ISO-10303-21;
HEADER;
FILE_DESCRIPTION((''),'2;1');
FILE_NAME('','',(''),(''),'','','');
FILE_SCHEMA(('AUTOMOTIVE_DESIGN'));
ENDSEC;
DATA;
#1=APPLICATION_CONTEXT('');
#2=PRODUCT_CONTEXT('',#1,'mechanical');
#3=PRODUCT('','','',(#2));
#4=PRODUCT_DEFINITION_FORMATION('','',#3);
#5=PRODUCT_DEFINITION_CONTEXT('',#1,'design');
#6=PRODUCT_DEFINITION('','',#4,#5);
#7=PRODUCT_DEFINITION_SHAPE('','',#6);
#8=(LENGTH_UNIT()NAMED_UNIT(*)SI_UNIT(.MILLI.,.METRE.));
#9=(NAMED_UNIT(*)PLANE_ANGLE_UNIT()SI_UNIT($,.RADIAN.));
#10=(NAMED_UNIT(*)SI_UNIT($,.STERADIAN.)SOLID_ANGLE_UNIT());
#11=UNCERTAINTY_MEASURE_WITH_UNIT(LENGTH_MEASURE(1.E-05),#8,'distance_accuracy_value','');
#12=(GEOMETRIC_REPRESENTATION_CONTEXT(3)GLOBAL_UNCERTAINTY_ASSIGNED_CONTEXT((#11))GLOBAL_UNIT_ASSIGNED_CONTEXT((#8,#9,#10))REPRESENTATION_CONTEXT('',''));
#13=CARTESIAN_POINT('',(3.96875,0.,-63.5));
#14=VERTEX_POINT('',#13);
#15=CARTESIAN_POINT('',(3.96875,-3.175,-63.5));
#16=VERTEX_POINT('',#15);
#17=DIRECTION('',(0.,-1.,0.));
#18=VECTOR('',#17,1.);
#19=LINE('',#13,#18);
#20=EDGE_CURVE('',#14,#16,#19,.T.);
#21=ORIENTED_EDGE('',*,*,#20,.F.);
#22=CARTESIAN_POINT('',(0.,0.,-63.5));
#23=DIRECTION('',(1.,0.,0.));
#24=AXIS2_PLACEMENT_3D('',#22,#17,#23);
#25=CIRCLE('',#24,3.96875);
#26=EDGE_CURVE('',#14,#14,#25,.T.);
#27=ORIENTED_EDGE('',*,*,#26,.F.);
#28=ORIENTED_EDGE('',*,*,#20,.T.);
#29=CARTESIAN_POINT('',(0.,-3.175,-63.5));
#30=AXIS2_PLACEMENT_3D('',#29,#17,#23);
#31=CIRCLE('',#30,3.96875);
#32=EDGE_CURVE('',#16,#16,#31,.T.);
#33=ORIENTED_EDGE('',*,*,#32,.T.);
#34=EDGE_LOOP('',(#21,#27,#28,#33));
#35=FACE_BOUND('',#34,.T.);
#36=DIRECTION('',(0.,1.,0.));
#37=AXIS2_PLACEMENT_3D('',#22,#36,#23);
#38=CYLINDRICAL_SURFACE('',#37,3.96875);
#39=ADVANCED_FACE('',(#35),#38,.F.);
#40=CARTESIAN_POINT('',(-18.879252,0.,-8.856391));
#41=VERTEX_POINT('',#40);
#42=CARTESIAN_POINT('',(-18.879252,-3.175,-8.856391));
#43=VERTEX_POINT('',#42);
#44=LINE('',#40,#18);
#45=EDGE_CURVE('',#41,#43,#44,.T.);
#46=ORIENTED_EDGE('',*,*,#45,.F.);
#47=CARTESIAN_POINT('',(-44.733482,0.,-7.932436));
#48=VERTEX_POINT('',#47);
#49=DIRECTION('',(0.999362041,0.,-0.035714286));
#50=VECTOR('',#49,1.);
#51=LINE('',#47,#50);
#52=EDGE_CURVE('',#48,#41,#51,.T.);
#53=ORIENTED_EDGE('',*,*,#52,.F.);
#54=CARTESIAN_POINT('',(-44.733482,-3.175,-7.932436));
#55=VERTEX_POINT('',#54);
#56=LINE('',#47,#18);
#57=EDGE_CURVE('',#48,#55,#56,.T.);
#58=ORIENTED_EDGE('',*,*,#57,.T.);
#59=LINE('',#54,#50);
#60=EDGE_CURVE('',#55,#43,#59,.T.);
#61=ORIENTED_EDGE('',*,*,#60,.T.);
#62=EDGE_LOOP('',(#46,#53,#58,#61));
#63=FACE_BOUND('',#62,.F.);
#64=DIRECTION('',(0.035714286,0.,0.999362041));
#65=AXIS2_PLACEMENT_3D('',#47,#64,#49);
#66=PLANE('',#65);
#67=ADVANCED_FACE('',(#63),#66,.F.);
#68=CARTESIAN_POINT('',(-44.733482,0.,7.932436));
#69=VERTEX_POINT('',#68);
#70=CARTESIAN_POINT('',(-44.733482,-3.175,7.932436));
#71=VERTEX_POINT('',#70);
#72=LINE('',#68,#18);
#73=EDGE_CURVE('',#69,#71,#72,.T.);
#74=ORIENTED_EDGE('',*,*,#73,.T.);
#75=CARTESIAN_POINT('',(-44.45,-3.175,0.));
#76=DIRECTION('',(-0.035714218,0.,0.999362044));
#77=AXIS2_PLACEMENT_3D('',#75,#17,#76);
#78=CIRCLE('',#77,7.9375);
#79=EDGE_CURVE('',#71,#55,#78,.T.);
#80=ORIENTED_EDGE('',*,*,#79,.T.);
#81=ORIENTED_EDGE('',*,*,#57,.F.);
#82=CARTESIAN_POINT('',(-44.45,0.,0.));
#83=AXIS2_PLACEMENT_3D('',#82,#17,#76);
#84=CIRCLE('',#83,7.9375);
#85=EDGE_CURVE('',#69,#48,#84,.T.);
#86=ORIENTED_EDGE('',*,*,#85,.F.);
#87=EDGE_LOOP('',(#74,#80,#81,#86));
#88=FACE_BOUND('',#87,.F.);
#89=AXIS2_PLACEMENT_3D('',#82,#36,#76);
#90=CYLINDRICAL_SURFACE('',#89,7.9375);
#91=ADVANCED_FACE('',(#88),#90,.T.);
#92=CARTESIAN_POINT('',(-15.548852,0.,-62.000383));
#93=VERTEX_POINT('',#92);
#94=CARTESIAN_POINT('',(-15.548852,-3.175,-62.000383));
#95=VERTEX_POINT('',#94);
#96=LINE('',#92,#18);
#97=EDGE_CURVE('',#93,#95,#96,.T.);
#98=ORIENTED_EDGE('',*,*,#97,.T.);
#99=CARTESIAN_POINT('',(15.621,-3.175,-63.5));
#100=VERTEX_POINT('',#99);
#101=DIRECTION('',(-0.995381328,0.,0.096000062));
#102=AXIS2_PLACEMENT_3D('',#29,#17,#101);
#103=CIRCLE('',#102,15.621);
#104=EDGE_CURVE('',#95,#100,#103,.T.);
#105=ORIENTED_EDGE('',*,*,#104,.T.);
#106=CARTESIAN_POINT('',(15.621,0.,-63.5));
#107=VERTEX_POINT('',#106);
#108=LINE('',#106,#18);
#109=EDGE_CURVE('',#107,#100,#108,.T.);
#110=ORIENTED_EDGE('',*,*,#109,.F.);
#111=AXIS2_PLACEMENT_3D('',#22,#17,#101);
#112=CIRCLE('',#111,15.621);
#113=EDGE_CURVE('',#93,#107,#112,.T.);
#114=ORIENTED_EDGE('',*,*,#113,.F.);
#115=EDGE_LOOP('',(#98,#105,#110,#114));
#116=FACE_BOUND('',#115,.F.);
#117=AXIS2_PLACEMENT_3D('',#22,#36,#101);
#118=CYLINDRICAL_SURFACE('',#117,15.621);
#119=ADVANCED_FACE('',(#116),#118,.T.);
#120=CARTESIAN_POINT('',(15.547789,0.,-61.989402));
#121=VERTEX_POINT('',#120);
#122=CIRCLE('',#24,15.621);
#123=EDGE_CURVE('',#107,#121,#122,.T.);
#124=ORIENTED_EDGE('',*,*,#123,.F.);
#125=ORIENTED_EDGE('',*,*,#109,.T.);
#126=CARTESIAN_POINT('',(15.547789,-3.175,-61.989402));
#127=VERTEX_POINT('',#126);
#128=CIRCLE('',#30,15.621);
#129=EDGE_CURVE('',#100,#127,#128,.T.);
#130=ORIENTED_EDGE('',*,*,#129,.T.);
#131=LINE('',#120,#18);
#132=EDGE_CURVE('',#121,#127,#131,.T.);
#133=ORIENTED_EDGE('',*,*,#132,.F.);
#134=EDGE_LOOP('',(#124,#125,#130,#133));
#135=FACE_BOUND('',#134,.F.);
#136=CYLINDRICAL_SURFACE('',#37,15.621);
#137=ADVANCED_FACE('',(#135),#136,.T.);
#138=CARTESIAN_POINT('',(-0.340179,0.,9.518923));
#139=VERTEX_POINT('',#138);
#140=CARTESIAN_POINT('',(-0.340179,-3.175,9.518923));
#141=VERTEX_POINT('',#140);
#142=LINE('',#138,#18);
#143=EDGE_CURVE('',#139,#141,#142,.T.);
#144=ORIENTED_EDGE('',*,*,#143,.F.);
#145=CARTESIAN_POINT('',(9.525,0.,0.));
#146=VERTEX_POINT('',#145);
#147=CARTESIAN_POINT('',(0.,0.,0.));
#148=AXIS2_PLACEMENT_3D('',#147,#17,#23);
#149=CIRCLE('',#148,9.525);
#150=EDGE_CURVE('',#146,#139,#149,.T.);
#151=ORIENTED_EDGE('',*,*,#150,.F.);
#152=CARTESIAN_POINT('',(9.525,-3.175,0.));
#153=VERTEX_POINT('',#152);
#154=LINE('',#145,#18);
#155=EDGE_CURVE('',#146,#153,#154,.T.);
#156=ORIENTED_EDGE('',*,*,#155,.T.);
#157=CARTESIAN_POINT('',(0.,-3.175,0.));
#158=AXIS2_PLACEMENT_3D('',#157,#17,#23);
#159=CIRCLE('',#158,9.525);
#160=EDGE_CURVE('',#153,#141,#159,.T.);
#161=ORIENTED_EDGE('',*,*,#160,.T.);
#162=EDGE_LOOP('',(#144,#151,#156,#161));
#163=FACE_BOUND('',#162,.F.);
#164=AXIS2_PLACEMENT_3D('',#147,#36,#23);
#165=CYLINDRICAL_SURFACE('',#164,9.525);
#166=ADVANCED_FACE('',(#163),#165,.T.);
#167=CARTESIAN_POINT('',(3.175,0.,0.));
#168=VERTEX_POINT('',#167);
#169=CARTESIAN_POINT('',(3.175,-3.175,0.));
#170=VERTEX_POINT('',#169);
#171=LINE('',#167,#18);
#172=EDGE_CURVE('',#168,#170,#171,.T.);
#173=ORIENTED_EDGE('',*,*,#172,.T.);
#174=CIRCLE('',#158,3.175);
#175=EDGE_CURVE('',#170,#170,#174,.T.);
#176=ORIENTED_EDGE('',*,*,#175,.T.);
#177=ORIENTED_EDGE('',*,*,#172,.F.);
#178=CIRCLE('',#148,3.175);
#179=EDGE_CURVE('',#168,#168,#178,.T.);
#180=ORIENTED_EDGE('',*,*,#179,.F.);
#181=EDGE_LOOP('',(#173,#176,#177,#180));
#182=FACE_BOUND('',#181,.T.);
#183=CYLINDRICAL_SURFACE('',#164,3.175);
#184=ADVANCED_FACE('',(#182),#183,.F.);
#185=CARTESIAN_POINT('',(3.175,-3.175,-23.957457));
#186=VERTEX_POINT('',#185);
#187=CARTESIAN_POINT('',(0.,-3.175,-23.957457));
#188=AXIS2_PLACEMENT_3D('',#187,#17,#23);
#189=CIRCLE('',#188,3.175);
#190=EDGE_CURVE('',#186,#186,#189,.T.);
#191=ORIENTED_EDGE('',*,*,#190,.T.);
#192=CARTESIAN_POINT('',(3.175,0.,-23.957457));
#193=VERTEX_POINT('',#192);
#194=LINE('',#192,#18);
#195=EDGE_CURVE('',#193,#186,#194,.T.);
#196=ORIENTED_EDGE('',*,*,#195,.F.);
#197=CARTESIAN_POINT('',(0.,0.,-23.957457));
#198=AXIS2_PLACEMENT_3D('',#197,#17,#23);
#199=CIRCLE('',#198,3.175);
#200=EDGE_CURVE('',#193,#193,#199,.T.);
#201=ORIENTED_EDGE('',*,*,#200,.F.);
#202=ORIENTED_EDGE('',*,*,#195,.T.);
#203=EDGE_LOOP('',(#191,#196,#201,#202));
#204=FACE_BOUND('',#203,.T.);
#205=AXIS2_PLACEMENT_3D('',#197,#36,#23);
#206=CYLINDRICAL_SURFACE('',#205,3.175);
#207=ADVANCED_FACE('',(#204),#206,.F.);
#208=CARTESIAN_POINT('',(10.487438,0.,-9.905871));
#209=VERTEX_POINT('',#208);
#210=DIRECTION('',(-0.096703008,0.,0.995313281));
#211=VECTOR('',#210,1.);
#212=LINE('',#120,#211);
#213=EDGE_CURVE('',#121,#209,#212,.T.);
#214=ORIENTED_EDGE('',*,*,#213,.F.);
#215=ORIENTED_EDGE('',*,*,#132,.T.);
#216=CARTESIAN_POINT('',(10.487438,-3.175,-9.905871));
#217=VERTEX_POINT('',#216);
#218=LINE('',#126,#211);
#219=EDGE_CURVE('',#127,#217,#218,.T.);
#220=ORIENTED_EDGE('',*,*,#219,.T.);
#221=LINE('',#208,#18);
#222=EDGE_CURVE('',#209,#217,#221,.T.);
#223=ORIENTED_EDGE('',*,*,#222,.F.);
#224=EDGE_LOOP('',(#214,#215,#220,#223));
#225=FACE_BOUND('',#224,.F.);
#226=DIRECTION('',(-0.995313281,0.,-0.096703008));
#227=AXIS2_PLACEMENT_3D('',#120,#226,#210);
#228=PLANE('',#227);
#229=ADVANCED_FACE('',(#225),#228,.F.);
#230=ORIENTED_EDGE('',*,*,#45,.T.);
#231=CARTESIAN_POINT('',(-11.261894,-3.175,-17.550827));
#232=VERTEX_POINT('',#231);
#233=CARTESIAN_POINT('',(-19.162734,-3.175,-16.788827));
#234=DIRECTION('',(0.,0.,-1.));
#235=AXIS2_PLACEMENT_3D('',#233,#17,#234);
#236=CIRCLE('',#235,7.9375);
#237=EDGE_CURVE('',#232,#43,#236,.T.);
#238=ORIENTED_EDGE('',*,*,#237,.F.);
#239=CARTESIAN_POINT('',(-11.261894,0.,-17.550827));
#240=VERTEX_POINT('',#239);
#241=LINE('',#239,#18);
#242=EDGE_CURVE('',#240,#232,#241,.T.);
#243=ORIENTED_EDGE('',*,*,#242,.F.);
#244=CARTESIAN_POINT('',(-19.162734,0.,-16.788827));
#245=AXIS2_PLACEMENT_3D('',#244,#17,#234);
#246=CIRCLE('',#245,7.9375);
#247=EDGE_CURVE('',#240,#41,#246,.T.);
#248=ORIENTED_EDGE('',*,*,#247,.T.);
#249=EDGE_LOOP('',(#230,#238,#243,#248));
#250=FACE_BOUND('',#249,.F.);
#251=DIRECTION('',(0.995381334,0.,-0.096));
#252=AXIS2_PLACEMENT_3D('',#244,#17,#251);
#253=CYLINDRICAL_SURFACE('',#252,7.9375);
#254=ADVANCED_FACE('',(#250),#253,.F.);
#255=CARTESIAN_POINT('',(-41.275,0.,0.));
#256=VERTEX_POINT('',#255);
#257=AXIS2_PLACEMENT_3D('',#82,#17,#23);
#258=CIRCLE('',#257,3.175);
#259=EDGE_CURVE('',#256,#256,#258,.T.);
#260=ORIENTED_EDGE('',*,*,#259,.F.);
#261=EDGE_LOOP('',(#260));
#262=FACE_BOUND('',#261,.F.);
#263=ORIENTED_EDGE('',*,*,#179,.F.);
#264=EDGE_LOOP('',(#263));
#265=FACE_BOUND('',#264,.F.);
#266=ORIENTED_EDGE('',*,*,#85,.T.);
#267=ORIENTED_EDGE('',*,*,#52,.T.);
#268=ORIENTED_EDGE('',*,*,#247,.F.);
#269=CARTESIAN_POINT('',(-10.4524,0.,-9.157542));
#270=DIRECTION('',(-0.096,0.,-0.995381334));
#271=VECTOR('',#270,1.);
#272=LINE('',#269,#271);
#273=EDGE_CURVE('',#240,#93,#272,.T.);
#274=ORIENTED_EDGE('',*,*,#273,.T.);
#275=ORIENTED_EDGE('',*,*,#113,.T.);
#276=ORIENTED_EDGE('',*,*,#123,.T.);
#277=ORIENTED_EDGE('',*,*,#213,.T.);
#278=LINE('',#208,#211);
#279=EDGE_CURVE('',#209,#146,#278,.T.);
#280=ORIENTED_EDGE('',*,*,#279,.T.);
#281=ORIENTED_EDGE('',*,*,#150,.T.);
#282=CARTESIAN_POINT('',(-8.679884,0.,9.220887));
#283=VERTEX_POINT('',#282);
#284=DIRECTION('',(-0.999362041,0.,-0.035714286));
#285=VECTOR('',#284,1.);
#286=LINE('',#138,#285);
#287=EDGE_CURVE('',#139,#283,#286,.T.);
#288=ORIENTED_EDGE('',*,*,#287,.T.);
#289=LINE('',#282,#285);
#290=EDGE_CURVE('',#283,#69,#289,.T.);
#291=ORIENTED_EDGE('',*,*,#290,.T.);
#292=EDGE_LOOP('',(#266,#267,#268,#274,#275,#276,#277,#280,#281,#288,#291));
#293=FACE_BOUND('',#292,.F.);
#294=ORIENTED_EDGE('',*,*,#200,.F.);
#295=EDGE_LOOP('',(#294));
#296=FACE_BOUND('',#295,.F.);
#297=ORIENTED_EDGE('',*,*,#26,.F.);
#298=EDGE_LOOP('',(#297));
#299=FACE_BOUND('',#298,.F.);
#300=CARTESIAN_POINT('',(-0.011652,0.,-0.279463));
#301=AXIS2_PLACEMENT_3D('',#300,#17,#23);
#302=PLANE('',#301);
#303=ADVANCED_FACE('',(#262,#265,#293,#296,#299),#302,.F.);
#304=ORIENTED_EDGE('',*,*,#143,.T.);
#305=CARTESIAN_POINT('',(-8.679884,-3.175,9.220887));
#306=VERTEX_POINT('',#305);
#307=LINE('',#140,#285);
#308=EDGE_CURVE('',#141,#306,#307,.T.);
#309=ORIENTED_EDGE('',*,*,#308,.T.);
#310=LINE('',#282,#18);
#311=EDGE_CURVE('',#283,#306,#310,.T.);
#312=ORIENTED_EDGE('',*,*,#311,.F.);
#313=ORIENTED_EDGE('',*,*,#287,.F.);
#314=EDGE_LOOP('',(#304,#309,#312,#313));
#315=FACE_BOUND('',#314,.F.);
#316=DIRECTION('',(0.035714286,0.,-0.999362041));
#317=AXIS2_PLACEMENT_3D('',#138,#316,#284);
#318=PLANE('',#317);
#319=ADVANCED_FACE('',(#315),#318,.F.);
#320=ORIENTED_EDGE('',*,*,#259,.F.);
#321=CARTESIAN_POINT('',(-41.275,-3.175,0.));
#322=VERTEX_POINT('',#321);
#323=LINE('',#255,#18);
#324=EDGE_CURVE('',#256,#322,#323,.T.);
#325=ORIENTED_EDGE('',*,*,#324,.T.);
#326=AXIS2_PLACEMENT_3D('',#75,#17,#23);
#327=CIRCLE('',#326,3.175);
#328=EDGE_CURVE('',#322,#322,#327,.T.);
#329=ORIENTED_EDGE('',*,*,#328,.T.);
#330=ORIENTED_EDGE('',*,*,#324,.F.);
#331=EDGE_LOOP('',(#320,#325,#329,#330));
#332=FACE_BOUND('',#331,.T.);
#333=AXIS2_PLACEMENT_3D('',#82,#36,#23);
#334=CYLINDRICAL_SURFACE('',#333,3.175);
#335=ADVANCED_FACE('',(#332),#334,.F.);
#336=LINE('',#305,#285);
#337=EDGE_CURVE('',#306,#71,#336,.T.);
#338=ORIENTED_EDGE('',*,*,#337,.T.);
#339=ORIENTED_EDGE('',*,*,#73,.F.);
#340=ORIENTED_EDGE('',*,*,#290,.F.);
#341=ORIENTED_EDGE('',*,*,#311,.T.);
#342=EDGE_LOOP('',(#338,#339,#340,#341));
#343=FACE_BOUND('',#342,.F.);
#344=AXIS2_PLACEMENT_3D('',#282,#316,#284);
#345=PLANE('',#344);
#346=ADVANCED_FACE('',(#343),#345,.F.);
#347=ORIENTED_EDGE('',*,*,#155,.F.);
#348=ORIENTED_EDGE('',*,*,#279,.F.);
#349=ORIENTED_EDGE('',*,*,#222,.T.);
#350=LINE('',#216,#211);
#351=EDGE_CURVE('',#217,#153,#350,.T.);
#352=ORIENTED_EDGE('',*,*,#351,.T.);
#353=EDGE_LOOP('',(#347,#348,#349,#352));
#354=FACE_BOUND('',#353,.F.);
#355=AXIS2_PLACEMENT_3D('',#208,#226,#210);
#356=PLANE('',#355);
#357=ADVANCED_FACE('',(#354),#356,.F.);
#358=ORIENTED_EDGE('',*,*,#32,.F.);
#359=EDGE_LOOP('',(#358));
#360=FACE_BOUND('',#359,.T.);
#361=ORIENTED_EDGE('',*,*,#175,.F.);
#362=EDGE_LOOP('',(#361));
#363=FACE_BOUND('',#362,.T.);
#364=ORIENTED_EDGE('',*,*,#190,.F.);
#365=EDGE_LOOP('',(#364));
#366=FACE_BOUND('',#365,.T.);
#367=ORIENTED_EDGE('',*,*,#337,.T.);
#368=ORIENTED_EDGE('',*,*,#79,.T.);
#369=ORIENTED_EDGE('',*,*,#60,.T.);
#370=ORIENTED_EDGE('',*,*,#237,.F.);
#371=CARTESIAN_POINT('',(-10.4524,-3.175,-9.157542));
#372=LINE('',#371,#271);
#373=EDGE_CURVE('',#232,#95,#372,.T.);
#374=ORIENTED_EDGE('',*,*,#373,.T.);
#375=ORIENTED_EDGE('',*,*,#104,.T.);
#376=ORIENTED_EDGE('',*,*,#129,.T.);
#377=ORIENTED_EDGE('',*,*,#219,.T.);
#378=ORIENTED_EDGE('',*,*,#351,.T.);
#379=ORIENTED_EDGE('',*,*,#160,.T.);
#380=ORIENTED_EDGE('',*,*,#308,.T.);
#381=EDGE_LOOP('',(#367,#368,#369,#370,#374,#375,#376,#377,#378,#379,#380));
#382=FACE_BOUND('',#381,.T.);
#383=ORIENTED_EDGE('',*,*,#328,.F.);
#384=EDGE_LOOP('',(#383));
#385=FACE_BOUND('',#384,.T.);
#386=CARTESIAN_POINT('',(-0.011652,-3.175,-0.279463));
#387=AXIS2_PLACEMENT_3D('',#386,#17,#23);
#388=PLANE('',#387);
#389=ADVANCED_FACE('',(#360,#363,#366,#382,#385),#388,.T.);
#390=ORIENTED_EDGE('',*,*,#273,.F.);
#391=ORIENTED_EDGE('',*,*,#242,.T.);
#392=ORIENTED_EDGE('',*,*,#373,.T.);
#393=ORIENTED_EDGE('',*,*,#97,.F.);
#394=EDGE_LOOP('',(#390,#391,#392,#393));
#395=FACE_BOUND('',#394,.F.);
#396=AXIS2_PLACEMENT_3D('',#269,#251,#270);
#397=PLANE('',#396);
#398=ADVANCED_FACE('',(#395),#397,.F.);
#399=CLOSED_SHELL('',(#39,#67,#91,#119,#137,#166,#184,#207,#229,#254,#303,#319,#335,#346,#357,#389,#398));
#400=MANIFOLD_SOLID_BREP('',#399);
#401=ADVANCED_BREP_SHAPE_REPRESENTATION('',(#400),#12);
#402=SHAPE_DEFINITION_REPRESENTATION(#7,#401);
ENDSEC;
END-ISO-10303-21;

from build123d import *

# Parameters (mm, degrees)
F0_R     = 3.175
F0_R_2   = 3.96875
F1_DEPTH = 3.175
F2_R     = 7.9375


with BuildPart() as f1:
    # F0 (on Front) → F1 (new body)
    with BuildSketch(Plane.XZ):
        with BuildLine():
            ThreePointArc((-0.3401787076, -9.5189234395), (6.6138272887, -6.8544083329), (9.525, 0))
            ThreePointArc((9.525, 0), (6.6138273092, 6.8544083132), (-0.3401786508, 9.5189234415))
            ThreePointArc((-0.3401786508, 9.5189234415), (-6.5286581765, 6.9355783763), (-9.481007181, 0.9144002588))
            ThreePointArc((-9.481007181, 0.9144002588), (-7.164320199, -6.2767938541), (-0.3401787076, -9.5189234395))
        make_face()
        Circle(F0_R, mode=Mode.SUBTRACT)
        with BuildLine():
            Line((10.4874381875, -9.9058708993), (9.525, 0))
            ThreePointArc((9.525, 0), (6.6138272887, -6.8544083329), (-0.3401787076, -9.5189234395))
            Line((-0.3401787076, -9.5189234395), (10.4874381875, -9.9058708993))
        make_face()
        with BuildLine():
            ThreePointArc((-9.481007181, 0.9144002588), (-6.5286581765, 6.9355783763), (-0.3401786508, 9.5189234415))
            Line((-0.3401786508, 9.5189234415), (-8.6798843665, 9.2208866737))
            Line((-8.6798843665, 9.2208866737), (-9.481007181, 0.9144002588))
        make_face()
        with BuildLine():
            Line((-10.4524001899, -9.157542126), (-0.3401787076, -9.5189234395))
            ThreePointArc((-0.3401787076, -9.5189234395), (-7.164320199, -6.2767938541), (-9.481007181, 0.9144002588))
            Line((-9.481007181, 0.9144002588), (-10.4524001899, -9.157542126))
        make_face()
        with BuildLine():
            Line((10.4874381875, -9.9058708993), (-0.3401787076, -9.5189234395))
            Line((-0.3401787076, -9.5189234395), (-10.4524001899, -9.157542126))
            Line((-10.4524001899, -9.157542126), (-15.5488517247, -62.0003830342))
            ThreePointArc((-15.5488517247, -62.0003830342), (-0.0055160109, -47.8790009739), (15.5477887724, -61.9894023403))
            Line((15.5477887724, -61.9894023403), (10.4874381875, -9.9058708993))
        make_face()
        with Locations((0, -23.9574573934)):
            Circle(F0_R, mode=Mode.SUBTRACT)
        with BuildLine():
            Line((-10.4524001899, -9.157542126), (-9.481007181, 0.9144002588))
            Line((-9.481007181, 0.9144002588), (-8.6798843665, 9.2208866737))
            Line((-8.6798843665, 9.2208866737), (-44.7334816061, 7.9324362228))
            ThreePointArc((-44.7334816061, 7.9324362228), (-38.9384770253, 5.7120067182), (-36.5125, 0))
            ThreePointArc((-36.5125, 0), (-38.9384772211, -5.7120069072), (-44.7334821499, -7.9324362034))
            Line((-44.7334821499, -7.9324362034), (-10.4524001899, -9.157542126))
        make_face()
        with BuildLine():
            ThreePointArc((15.621, -63.5), (15.602686458, -62.7438146435), (15.5477887724, -61.9894023403))
            ThreePointArc((15.5477887724, -61.9894023403), (-0.0055160109, -47.8790009739), (-15.5488517247, -62.0003830342))
            ThreePointArc((-15.5488517247, -62.0003830342), (-0.7506757652, -79.1029525057), (15.621, -63.5))
        make_face()
        with Locations((0, -63.5)):
            Circle(F0_R_2, mode=Mode.SUBTRACT)
        with BuildLine():
            ThreePointArc((-36.5125, 0), (-38.9384770253, 5.7120067182), (-44.7334816061, 7.9324362228))
            ThreePointArc((-44.7334816061, 7.9324362228), (-52.3875, 2.721e-07), (-44.7334821499, -7.9324362034))
            ThreePointArc((-44.7334821499, -7.9324362034), (-38.9384772211, -5.7120069072), (-36.5125, 0))
        make_face()
        with Locations((-44.45, 0)):
            Circle(F0_R, mode=Mode.SUBTRACT)
    extrude(amount=F1_DEPTH)

    # F2
    f2_edges = [f1.edges().sort_by_distance(p)[0] for p in [
        (-10.4524, -1.5875, -9.157542),
    ]]
    fillet(f2_edges, radius=F2_R)


solid = f1.part
